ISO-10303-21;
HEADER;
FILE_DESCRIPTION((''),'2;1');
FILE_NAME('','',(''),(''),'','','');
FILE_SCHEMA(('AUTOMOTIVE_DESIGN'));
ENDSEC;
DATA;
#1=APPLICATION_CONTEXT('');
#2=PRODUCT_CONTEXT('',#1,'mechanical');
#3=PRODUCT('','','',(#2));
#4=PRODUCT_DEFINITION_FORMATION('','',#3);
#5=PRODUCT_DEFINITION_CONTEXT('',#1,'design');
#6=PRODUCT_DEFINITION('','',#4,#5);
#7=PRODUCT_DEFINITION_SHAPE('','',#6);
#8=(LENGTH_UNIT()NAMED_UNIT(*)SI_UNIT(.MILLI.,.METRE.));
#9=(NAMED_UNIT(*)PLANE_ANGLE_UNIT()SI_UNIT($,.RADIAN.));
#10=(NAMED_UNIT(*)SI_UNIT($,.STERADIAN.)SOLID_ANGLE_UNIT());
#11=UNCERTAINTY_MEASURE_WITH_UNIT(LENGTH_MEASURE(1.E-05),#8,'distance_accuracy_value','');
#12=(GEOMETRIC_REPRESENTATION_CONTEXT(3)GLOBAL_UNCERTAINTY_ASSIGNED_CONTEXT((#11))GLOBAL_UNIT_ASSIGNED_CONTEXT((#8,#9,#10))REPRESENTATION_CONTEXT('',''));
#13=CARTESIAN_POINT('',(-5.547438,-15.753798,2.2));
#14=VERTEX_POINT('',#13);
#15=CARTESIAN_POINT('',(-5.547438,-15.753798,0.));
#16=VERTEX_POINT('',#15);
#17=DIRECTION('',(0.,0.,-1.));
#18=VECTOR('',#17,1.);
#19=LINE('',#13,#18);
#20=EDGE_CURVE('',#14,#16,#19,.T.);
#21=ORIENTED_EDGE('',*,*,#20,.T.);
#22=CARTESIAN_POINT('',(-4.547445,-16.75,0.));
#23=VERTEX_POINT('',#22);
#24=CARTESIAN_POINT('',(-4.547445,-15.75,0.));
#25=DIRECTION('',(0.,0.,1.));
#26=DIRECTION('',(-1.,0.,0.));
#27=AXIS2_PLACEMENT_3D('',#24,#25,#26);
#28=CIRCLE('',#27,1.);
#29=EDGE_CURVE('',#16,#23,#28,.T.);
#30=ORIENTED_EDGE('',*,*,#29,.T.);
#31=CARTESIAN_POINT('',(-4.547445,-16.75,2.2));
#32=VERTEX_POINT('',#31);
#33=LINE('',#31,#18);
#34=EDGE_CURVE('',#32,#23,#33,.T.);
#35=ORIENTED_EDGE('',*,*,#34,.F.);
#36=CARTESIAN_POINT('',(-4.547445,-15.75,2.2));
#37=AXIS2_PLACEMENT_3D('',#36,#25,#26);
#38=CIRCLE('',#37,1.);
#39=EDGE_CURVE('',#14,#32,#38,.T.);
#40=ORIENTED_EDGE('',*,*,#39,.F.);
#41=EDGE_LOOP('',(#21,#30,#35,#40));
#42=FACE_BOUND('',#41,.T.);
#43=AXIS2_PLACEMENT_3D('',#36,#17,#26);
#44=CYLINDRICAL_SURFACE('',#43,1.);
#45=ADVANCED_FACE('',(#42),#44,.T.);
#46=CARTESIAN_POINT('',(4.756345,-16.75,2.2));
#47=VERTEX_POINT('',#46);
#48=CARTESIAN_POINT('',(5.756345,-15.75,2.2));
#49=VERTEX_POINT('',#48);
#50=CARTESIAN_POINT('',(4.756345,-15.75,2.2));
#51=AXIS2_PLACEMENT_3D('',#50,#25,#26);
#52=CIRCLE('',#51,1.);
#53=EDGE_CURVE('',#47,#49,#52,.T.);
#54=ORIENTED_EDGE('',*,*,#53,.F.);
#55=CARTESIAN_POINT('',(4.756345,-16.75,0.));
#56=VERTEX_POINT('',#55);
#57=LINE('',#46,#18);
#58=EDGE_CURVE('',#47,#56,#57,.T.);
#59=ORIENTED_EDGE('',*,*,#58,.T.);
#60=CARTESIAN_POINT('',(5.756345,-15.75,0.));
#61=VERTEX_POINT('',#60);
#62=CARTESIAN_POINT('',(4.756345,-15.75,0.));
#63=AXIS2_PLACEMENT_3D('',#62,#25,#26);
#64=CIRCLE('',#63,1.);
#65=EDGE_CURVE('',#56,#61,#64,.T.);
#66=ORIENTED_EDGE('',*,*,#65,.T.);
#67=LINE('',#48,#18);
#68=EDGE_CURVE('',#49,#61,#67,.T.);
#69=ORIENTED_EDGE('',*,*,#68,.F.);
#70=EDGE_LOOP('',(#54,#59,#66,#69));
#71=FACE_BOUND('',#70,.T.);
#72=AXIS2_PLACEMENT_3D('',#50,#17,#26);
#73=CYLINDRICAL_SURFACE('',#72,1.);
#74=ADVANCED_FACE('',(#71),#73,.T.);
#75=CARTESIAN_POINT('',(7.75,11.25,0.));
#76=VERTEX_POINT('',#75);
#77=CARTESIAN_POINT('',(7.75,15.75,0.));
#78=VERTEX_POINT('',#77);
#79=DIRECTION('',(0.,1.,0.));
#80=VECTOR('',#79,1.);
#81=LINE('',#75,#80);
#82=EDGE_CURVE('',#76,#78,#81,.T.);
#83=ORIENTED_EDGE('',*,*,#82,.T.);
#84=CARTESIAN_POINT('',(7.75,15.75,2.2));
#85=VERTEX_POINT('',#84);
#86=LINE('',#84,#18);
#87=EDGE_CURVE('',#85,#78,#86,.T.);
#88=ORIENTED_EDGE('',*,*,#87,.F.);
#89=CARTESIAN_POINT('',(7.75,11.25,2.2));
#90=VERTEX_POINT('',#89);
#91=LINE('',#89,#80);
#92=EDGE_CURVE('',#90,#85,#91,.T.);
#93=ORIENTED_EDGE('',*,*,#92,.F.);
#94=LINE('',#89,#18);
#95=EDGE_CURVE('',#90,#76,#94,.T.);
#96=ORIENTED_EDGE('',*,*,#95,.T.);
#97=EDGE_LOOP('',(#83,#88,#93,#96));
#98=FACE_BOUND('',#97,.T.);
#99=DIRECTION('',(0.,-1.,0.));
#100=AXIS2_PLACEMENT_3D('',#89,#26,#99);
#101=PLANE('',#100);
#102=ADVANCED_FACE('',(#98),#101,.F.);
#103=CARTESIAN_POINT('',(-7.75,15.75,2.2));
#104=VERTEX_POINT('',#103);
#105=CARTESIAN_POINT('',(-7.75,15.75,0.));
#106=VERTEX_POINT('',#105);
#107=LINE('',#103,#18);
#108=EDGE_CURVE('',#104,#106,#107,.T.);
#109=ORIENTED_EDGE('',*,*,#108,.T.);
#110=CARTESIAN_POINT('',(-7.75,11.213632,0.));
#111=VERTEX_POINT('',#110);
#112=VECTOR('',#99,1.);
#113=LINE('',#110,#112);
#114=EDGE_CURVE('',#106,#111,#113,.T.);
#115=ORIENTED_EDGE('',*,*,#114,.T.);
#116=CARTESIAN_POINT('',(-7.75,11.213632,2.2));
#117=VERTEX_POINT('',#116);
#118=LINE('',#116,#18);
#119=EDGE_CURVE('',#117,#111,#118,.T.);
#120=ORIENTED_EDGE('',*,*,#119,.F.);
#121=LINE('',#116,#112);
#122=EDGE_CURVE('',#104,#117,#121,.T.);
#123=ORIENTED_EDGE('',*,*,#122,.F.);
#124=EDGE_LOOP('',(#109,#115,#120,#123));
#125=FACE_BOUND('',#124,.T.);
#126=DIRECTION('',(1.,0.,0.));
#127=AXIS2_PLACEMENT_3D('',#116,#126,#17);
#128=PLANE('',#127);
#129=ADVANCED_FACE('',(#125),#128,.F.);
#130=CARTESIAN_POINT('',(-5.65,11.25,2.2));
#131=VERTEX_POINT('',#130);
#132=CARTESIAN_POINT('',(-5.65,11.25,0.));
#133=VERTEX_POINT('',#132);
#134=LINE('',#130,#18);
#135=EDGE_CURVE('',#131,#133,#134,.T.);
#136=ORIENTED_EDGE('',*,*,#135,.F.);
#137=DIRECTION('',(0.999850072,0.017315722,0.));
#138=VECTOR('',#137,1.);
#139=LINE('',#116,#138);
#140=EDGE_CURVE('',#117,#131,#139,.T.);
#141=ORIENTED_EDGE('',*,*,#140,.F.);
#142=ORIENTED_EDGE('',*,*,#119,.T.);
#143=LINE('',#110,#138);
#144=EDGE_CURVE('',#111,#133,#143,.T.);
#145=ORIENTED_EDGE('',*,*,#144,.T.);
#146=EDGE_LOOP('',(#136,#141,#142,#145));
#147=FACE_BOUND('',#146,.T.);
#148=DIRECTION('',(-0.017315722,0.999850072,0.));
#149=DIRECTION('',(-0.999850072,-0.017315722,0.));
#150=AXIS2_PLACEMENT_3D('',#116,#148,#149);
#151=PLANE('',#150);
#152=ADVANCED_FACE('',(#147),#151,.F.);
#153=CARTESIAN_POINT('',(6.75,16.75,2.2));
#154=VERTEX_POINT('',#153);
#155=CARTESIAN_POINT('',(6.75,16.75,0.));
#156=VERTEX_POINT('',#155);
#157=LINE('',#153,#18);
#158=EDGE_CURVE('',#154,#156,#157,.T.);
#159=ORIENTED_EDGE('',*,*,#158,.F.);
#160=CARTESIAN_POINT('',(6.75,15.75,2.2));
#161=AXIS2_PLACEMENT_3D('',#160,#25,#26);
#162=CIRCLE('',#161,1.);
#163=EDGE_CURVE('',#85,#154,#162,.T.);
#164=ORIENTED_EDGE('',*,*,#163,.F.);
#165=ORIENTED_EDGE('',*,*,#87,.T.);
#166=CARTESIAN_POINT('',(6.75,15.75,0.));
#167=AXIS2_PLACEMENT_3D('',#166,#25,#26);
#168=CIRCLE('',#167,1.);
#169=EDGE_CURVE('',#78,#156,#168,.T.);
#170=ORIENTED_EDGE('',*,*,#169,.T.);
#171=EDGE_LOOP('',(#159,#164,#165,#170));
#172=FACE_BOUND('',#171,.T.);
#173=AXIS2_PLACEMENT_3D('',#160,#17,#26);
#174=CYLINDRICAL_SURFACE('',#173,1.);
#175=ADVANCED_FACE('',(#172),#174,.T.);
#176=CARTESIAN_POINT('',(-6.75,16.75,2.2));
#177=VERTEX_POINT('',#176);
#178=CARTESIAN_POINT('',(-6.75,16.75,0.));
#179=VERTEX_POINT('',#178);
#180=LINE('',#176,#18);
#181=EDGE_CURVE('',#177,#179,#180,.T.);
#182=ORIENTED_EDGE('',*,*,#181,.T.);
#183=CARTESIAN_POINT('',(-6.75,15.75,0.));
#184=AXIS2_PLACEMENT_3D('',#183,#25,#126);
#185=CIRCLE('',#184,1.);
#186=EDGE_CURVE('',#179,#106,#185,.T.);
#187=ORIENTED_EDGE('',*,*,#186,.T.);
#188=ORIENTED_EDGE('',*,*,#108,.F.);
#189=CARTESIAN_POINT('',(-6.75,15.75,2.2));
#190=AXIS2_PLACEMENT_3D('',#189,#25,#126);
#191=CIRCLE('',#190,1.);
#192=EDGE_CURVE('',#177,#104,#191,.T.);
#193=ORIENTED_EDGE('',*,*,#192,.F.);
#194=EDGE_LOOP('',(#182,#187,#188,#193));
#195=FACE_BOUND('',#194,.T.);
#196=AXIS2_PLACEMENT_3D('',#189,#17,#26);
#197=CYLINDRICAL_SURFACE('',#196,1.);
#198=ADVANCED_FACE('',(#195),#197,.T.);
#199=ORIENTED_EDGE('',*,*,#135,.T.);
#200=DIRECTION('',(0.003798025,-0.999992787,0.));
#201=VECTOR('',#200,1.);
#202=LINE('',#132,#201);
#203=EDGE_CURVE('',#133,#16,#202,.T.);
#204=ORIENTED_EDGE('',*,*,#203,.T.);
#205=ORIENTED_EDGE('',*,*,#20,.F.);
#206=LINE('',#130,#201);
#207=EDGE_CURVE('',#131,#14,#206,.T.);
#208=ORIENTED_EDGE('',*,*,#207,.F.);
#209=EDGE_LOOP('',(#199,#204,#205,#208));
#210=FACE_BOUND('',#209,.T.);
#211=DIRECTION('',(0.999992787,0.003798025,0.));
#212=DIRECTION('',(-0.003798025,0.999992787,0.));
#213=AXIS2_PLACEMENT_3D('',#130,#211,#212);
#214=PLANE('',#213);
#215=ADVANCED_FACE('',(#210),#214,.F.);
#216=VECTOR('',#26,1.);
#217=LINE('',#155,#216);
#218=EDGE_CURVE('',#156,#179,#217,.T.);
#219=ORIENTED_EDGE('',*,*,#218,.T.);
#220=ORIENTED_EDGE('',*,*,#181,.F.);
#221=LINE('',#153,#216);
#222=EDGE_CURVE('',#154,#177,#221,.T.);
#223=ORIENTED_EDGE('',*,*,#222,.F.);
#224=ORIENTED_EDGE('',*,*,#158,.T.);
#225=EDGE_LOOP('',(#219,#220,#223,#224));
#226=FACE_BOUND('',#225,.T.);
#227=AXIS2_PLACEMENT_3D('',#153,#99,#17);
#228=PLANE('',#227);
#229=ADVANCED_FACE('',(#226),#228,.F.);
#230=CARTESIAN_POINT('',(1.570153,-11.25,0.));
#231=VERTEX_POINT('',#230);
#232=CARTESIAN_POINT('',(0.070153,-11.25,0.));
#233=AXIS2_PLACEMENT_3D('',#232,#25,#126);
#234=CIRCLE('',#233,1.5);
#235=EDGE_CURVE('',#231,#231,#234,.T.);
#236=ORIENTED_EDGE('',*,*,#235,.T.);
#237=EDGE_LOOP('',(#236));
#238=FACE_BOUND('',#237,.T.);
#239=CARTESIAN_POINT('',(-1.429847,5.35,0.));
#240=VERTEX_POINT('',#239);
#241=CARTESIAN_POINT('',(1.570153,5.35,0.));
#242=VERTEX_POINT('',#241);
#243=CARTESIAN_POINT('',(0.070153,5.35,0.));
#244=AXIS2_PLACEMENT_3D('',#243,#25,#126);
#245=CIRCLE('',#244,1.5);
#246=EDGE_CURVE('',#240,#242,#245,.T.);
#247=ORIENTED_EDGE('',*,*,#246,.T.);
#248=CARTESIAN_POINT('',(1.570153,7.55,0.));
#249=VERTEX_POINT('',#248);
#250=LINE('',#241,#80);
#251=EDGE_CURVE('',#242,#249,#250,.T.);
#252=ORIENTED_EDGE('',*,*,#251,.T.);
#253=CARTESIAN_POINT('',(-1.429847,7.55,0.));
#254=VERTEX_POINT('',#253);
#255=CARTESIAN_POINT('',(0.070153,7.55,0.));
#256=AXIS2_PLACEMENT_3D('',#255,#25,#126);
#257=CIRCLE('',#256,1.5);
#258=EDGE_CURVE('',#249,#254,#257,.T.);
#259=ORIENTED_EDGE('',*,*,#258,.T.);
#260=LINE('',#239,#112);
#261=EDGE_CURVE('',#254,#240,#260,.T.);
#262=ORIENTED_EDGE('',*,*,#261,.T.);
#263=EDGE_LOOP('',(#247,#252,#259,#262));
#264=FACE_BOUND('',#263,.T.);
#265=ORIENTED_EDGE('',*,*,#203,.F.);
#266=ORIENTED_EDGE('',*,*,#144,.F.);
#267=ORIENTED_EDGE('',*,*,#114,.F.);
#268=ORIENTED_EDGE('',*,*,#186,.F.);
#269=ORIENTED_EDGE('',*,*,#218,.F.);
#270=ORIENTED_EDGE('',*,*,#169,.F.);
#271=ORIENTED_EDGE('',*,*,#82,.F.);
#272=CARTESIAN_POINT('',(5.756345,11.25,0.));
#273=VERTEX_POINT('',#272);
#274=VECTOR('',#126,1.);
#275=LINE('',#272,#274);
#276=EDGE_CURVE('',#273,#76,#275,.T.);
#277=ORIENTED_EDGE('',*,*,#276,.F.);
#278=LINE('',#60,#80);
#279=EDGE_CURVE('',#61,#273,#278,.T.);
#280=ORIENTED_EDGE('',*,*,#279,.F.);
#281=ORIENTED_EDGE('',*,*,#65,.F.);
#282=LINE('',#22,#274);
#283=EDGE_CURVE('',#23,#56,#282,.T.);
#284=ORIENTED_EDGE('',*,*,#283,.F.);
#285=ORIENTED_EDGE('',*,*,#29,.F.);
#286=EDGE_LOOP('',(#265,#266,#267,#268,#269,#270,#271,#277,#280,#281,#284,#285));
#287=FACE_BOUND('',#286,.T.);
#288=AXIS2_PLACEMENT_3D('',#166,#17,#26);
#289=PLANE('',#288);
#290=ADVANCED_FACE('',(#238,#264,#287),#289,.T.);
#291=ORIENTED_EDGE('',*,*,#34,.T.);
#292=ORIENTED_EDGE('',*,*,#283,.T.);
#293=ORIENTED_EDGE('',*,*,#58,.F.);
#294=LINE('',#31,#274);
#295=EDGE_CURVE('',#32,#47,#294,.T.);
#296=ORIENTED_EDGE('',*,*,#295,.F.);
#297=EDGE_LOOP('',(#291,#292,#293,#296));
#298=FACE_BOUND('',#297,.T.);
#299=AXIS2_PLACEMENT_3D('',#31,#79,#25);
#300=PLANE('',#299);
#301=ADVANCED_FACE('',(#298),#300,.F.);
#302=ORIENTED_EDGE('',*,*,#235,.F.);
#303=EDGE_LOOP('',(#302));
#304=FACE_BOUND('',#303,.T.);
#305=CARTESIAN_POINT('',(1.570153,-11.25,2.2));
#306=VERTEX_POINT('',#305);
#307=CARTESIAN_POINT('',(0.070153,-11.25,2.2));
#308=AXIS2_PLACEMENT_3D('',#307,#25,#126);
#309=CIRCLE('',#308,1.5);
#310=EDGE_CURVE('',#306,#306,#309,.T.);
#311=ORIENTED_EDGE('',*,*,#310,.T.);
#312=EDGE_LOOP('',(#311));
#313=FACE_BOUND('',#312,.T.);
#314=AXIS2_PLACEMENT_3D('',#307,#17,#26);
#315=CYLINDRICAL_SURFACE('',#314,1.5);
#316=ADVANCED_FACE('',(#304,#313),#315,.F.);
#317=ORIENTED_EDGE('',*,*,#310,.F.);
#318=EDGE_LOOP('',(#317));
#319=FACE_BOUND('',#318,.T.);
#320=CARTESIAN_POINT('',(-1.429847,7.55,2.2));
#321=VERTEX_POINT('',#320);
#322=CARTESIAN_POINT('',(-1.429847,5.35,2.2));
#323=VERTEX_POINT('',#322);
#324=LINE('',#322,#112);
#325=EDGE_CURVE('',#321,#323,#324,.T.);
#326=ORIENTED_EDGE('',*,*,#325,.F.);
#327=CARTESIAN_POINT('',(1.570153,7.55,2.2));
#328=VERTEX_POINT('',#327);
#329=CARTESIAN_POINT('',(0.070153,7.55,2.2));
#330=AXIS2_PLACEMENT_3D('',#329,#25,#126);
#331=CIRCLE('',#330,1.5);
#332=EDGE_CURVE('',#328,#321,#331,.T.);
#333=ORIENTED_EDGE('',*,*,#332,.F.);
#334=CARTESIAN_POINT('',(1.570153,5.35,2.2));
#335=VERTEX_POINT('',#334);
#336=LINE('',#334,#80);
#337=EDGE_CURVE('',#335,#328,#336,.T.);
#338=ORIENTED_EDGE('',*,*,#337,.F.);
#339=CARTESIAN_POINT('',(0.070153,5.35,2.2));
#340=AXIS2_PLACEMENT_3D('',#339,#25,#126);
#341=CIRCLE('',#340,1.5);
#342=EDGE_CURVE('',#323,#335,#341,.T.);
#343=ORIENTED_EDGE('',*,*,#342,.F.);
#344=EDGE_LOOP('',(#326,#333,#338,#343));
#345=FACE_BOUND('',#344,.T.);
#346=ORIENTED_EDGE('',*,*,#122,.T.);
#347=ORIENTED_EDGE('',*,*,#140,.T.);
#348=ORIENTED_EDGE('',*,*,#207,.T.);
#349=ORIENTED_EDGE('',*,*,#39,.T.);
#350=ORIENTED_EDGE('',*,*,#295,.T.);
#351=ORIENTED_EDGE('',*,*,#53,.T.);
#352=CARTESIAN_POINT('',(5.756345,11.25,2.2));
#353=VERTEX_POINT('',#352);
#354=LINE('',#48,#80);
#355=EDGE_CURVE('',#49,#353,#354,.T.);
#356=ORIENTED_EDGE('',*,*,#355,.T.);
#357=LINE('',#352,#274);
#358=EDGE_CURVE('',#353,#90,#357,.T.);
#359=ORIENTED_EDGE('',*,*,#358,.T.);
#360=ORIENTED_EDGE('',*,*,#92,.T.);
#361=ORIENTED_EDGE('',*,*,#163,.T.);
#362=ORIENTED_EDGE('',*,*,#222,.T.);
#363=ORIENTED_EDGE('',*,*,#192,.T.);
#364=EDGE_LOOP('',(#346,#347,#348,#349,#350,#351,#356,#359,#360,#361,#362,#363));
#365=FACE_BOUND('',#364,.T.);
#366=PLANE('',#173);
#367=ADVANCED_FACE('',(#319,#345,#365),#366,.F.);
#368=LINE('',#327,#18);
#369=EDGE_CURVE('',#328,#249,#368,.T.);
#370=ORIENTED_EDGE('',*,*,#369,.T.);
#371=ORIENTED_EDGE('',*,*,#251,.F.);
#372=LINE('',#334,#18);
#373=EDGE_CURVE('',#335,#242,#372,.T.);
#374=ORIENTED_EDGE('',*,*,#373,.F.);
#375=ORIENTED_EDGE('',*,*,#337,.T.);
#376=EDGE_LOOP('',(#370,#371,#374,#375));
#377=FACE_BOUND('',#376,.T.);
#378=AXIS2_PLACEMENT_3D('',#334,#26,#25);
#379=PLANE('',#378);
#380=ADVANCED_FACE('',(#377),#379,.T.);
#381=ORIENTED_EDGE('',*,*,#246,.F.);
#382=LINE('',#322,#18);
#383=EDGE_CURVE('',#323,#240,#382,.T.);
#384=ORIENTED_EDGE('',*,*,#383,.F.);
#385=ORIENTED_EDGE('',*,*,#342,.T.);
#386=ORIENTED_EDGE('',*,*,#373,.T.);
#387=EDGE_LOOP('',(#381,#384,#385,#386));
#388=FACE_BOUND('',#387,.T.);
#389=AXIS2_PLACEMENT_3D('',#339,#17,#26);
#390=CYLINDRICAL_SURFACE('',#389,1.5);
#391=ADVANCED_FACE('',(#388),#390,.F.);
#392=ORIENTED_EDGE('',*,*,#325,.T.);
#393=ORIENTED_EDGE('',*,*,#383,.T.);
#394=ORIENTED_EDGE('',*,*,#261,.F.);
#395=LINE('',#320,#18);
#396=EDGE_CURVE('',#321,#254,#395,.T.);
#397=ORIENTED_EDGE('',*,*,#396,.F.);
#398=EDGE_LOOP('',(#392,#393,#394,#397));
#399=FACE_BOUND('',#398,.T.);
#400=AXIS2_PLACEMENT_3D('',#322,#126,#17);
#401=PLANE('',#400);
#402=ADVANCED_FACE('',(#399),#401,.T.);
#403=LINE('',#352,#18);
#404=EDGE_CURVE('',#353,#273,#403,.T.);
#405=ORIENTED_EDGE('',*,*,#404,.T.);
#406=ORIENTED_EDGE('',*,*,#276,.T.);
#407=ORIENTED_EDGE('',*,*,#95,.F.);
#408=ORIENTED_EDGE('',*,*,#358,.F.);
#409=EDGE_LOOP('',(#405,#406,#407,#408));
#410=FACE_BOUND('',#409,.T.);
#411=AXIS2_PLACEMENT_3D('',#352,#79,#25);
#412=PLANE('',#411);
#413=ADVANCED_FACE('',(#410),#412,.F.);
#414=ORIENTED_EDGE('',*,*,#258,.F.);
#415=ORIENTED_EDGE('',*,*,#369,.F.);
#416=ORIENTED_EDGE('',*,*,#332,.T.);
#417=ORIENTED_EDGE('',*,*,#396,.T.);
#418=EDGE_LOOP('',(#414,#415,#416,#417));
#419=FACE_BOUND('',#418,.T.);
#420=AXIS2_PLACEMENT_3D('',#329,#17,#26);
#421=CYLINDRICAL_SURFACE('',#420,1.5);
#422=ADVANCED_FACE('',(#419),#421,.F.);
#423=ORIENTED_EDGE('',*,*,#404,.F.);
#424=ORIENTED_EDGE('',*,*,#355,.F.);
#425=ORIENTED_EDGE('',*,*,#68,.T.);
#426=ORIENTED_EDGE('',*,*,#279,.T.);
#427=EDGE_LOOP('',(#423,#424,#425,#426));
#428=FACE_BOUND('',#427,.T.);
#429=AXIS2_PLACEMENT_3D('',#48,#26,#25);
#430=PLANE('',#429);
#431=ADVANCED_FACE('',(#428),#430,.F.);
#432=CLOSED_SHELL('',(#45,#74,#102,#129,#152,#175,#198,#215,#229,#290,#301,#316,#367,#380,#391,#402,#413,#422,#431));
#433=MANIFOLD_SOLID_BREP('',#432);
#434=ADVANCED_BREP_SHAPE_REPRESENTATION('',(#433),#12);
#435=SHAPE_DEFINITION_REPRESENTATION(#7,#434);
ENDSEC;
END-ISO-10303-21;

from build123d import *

# Parameters (mm, degrees)
SKETCH1_R           = 1.5
BOSS_EXTRUDE1_DEPTH = 2.2


with BuildPart() as part:
    # Sketch1 → Boss-Extrude1 (new body)
    with BuildSketch(Plane.XY):
        with BuildLine():
            Line((-4.547445363, -16.75), (4.756345477, -16.75))
            ThreePointArc((4.756345477, -16.75), (5.463452258, -16.457106781), (5.756345477, -15.75))
            Line((5.756345477, -15.75), (5.756345477, 11.25))
            Line((5.756345477, 11.25), (7.75, 11.25))
            Line((7.75, 11.25), (7.75, 15.75))
            ThreePointArc((7.75, 15.75), (7.457106781, 16.457106781), (6.75, 16.75))
            Line((6.75, 16.75), (-6.75, 16.75))
            ThreePointArc((-6.75, 16.75), (-7.457106781, 16.457106781), (-7.75, 15.75))
            Line((-7.75, 15.75), (-7.75, 11.213631532))
            Line((-7.75, 11.213631532), (-5.65, 11.25))
            Line((-5.65, 11.25), (-5.547438151, -15.753798025))
            ThreePointArc((-5.547438151, -15.753798025), (-5.253208062, -16.458448313), (-4.547445363, -16.75))
        make_face()
        with Locations((0.070153023, -11.25)):
            Circle(SKETCH1_R, mode=Mode.SUBTRACT)
        with BuildLine():
            Line((-1.429846977, 5.35), (-1.429846977, 7.55))
            ThreePointArc((-1.429846977, 7.55), (0.070153023, 9.05), (1.570153023, 7.55))
            Line((1.570153023, 7.55), (1.570153023, 5.35))
            ThreePointArc((1.570153023, 5.35), (0.070153023, 3.85), (-1.429846977, 5.35))
        make_face(mode=Mode.SUBTRACT)
    extrude(amount=BOSS_EXTRUDE1_DEPTH)


solid = part.part
